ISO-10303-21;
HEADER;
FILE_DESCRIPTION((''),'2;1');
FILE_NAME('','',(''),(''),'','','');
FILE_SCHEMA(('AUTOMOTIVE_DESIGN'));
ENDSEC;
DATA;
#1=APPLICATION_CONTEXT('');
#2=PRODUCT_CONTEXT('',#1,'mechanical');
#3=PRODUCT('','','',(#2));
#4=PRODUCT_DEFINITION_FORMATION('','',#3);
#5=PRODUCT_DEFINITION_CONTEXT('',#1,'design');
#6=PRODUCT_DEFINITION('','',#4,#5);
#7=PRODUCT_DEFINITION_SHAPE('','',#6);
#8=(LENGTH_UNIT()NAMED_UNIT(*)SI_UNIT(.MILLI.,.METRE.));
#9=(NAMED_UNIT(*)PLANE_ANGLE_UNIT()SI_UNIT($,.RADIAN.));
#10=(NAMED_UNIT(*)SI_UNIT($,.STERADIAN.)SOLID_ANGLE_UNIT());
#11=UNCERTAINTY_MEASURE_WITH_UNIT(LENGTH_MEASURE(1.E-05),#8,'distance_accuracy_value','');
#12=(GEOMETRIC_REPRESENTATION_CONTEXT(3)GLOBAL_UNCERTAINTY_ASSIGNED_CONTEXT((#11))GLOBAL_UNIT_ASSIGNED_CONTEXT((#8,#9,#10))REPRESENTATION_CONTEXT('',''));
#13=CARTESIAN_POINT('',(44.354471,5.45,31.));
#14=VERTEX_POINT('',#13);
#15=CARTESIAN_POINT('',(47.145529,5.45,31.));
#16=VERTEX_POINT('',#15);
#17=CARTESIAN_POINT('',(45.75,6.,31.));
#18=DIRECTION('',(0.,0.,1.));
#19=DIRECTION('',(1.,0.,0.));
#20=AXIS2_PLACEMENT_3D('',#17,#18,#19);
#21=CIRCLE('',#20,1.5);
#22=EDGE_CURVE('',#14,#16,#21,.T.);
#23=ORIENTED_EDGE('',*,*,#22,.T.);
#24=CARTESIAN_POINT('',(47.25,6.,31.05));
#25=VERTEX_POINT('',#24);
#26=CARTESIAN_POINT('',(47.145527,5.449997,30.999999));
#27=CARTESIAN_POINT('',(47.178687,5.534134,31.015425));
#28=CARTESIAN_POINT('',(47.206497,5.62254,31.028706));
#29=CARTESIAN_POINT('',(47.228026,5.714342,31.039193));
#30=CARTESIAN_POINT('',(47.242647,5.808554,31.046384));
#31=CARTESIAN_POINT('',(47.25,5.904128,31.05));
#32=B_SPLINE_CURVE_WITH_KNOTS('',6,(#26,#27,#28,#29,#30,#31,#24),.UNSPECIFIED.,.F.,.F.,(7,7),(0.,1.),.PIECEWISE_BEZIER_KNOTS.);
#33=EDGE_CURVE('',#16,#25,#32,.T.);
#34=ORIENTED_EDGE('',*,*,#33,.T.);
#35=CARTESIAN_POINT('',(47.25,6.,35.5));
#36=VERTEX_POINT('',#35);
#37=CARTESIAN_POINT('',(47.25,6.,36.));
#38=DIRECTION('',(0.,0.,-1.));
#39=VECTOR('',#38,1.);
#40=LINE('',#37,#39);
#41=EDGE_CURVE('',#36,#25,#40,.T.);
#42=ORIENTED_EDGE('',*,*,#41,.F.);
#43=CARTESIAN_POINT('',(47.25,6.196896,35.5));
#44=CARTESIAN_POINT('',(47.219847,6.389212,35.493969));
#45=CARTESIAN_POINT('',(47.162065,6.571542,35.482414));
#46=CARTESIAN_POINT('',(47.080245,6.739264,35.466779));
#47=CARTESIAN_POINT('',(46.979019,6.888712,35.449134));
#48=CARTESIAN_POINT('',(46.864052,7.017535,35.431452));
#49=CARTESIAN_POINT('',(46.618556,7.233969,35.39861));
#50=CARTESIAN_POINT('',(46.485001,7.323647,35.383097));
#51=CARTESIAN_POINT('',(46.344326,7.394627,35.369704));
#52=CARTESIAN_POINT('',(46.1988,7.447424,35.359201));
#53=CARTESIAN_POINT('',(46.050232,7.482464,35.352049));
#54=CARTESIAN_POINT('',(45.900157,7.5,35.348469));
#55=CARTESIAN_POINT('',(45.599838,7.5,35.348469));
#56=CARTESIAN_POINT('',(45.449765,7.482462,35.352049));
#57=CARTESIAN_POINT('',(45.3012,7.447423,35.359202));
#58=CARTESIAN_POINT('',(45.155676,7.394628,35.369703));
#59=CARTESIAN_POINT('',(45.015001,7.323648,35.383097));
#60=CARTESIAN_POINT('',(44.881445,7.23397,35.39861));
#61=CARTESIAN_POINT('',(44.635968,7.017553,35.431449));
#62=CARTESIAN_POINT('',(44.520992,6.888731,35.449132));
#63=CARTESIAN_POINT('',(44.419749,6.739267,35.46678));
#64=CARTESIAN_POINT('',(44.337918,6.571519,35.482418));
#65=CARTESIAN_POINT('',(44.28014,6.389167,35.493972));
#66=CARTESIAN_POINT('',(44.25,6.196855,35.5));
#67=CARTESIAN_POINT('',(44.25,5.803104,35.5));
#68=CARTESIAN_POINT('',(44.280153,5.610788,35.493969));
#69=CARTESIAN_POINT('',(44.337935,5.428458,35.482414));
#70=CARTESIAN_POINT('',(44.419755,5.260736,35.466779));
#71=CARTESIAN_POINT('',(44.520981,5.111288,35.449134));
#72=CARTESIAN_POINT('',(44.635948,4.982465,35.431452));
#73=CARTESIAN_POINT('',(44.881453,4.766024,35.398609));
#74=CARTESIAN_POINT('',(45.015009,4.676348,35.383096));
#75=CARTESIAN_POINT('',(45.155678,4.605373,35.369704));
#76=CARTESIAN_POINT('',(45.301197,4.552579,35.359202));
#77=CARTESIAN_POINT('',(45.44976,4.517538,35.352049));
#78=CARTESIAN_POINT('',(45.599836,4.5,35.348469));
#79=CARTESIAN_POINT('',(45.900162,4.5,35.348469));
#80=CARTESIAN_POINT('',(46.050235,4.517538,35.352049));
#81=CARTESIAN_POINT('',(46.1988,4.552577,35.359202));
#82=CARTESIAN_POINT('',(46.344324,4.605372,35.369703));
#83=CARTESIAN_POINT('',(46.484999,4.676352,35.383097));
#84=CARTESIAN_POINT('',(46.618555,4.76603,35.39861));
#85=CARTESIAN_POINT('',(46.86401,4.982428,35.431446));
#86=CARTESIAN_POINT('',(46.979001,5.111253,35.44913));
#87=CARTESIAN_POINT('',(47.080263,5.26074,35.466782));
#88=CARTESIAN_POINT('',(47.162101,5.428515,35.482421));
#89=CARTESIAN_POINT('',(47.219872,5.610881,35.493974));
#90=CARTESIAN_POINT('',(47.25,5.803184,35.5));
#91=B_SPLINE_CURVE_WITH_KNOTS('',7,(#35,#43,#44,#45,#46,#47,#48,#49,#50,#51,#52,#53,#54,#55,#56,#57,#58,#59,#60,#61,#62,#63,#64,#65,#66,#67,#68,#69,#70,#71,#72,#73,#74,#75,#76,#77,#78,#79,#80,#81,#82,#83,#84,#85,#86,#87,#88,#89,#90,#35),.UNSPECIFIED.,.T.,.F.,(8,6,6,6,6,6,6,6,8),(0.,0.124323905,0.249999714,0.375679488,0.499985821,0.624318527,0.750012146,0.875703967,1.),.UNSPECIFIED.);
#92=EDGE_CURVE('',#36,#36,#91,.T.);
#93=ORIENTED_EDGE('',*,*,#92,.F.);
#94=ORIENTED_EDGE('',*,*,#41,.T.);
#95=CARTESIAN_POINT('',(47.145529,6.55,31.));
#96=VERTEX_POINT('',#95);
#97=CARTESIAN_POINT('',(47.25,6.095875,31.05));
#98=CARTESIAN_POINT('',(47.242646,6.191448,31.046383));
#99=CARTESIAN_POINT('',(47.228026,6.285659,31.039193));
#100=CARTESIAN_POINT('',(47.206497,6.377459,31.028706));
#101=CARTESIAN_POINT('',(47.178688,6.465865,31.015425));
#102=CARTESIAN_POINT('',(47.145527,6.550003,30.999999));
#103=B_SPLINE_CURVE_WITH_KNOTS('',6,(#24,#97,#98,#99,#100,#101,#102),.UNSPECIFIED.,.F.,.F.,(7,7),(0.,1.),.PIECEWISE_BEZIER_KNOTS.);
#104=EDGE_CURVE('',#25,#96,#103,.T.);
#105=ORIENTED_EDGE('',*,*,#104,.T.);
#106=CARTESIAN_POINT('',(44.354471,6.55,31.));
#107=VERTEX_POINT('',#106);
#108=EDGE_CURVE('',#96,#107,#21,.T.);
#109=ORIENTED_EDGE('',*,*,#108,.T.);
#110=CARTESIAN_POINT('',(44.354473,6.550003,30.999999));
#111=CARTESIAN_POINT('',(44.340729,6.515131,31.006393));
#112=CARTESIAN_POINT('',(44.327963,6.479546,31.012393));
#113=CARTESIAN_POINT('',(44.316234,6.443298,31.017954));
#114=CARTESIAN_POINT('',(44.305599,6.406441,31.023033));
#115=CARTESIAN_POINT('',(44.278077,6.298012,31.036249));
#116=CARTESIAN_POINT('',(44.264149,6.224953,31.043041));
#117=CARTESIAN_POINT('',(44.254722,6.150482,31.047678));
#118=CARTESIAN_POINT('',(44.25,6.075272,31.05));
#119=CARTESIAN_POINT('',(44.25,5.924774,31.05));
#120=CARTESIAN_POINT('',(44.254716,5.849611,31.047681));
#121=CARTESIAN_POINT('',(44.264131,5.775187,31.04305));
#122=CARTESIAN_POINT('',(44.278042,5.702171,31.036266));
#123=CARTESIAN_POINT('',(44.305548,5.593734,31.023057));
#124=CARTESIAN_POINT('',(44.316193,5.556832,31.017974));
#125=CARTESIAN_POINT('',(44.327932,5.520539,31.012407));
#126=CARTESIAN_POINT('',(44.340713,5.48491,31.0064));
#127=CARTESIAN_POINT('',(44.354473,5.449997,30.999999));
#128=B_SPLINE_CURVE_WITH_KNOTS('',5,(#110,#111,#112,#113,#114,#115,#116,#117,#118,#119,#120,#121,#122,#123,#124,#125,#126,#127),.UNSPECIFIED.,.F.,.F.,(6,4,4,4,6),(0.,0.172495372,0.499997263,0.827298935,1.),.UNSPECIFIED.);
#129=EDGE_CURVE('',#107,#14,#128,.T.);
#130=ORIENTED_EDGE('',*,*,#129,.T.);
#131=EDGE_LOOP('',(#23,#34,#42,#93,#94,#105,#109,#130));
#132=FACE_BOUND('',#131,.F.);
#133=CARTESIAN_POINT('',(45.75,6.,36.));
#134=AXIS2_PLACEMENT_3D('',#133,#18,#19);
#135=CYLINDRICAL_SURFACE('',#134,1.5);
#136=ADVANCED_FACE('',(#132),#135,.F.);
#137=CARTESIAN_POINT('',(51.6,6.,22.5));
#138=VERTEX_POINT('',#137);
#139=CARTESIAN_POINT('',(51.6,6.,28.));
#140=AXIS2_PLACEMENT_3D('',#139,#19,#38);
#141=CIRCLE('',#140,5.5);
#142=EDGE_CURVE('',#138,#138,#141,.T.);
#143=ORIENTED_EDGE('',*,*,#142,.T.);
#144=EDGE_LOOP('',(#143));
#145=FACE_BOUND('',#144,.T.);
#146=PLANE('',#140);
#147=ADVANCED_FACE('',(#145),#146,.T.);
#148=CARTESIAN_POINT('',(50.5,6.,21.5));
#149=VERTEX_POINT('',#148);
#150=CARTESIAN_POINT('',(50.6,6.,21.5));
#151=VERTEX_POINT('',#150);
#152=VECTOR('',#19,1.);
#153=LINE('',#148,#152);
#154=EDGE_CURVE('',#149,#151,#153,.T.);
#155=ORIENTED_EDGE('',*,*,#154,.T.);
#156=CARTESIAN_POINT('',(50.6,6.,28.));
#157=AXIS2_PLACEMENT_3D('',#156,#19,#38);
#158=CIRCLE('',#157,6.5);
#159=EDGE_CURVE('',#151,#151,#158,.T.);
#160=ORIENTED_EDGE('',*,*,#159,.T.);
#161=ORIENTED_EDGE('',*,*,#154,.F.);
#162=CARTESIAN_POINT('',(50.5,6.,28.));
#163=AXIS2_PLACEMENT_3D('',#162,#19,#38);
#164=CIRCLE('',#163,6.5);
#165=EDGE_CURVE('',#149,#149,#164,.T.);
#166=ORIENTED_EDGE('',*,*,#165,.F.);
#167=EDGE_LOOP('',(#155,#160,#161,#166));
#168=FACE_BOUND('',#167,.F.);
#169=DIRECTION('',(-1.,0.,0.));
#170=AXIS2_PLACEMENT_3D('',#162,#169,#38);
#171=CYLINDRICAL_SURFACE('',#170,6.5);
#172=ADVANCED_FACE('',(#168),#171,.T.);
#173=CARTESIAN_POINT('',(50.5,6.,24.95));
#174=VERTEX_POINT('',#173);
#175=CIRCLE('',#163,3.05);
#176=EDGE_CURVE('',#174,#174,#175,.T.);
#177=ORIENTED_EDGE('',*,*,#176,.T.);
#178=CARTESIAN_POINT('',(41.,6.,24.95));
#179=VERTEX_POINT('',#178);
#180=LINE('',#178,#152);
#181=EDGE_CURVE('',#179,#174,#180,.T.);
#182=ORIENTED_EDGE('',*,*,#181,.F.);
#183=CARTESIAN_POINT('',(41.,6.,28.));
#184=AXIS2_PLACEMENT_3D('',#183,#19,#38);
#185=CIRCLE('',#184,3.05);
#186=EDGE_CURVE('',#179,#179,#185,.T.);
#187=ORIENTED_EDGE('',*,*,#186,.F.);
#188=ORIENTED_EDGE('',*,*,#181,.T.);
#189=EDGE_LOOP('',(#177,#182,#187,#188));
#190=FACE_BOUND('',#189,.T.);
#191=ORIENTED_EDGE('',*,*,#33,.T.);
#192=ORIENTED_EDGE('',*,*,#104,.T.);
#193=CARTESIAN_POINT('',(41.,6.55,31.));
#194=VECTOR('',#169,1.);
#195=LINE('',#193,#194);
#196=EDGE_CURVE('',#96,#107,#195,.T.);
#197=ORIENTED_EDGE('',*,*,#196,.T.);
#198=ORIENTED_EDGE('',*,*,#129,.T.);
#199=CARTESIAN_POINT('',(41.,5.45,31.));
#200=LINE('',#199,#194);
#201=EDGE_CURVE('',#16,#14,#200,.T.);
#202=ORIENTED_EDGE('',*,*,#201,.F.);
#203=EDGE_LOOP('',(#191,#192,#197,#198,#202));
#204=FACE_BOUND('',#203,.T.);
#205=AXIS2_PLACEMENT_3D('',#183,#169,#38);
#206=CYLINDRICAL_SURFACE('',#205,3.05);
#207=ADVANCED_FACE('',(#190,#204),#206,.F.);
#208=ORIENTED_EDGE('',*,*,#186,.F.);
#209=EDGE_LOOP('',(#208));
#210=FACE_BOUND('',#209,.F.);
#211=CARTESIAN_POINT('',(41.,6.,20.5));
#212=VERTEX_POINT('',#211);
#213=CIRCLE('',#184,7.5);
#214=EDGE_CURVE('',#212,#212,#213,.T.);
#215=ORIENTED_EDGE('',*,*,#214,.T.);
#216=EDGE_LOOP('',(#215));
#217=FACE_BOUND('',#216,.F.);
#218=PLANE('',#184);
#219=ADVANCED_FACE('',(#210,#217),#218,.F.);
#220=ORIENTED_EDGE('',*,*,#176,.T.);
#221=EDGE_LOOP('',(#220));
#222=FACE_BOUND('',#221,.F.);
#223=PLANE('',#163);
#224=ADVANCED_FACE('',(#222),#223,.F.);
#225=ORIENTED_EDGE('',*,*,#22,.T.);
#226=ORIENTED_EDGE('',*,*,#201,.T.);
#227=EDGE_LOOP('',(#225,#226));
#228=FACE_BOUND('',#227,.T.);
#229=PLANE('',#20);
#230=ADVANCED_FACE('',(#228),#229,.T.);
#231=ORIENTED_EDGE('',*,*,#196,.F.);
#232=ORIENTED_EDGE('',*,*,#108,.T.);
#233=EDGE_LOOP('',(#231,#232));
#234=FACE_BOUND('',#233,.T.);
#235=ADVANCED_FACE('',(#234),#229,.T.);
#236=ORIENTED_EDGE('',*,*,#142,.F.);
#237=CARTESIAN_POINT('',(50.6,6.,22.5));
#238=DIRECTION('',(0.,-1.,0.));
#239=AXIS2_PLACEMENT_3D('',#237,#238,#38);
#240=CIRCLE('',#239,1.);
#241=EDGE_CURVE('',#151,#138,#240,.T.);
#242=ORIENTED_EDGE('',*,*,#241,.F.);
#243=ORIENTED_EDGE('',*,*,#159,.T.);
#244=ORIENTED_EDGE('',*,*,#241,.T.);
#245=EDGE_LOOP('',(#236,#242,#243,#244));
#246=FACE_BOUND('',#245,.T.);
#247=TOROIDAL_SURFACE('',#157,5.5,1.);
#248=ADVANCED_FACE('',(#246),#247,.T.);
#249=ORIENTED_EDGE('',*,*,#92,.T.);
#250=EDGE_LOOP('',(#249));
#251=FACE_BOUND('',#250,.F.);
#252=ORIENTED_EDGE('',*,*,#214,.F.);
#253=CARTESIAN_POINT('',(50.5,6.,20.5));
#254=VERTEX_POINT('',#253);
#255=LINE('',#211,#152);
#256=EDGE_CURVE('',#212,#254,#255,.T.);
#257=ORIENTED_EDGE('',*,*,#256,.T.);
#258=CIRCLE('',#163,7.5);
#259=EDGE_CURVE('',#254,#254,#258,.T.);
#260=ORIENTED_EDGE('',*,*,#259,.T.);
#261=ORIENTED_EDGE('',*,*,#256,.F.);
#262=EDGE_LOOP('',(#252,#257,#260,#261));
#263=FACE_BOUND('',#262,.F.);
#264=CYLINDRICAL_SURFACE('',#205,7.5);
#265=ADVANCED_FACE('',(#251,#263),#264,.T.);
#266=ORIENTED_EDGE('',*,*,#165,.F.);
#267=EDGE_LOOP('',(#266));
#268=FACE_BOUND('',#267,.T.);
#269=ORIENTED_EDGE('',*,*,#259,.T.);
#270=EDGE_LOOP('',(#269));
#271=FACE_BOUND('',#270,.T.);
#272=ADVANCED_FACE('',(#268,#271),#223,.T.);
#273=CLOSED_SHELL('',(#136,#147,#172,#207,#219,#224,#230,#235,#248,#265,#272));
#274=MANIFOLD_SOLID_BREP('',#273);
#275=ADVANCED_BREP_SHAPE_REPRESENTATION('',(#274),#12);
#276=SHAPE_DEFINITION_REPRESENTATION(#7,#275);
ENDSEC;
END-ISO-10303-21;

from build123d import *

# Parameters (mm, degrees)
SKETCH007_R          = 7.5
SKETCH007_R_2        = 3.05
PAD_DEPTH            = 9.5
SKETCH001_R          = 6.5
PAD001_DEPTH         = 1.1
FILLET_R             = 1
SKETCH008_R          = 1.5
POCKET_DEPTH         = 5
BODY_PLACEMENT_ANGLE = 90


with BuildPart() as part:
    # Sketch007 → Pad (new body)
    with BuildSketch(Plane.XY):
        Circle(SKETCH007_R)
        Circle(SKETCH007_R_2, mode=Mode.SUBTRACT)
    extrude(amount=PAD_DEPTH)

    # Sketch001 (on Face4 of Pad) → Pad001 (join)
    with BuildSketch(Plane.XY.offset(9.5)):
        Circle(SKETCH001_R)
    extrude(amount=PAD001_DEPTH)

    # Fillet
    fillet_edges = [part.edges().sort_by_distance(p)[0] for p in [
        (-6.5, 0, 10.6),
    ]]
    fillet(fillet_edges, radius=FILLET_R)

    # Sketch008 (on DatumPlane) → Pocket (cut)
    with BuildSketch(Plane(origin=(-8, 0, 4.75), x_dir=(0, 0, 1), z_dir=(-1, 0, 0))):
        Circle(SKETCH008_R)
    extrude(amount=-POCKET_DEPTH, mode=Mode.SUBTRACT)


with BuildPart() as part_1:
    # Body placement: moved
    add(part.part.moved(Location((41, 6, 28))).rotate(Axis((41, 6, 28), (0, 1, 0)), BODY_PLACEMENT_ANGLE))


solid = part_1.part
